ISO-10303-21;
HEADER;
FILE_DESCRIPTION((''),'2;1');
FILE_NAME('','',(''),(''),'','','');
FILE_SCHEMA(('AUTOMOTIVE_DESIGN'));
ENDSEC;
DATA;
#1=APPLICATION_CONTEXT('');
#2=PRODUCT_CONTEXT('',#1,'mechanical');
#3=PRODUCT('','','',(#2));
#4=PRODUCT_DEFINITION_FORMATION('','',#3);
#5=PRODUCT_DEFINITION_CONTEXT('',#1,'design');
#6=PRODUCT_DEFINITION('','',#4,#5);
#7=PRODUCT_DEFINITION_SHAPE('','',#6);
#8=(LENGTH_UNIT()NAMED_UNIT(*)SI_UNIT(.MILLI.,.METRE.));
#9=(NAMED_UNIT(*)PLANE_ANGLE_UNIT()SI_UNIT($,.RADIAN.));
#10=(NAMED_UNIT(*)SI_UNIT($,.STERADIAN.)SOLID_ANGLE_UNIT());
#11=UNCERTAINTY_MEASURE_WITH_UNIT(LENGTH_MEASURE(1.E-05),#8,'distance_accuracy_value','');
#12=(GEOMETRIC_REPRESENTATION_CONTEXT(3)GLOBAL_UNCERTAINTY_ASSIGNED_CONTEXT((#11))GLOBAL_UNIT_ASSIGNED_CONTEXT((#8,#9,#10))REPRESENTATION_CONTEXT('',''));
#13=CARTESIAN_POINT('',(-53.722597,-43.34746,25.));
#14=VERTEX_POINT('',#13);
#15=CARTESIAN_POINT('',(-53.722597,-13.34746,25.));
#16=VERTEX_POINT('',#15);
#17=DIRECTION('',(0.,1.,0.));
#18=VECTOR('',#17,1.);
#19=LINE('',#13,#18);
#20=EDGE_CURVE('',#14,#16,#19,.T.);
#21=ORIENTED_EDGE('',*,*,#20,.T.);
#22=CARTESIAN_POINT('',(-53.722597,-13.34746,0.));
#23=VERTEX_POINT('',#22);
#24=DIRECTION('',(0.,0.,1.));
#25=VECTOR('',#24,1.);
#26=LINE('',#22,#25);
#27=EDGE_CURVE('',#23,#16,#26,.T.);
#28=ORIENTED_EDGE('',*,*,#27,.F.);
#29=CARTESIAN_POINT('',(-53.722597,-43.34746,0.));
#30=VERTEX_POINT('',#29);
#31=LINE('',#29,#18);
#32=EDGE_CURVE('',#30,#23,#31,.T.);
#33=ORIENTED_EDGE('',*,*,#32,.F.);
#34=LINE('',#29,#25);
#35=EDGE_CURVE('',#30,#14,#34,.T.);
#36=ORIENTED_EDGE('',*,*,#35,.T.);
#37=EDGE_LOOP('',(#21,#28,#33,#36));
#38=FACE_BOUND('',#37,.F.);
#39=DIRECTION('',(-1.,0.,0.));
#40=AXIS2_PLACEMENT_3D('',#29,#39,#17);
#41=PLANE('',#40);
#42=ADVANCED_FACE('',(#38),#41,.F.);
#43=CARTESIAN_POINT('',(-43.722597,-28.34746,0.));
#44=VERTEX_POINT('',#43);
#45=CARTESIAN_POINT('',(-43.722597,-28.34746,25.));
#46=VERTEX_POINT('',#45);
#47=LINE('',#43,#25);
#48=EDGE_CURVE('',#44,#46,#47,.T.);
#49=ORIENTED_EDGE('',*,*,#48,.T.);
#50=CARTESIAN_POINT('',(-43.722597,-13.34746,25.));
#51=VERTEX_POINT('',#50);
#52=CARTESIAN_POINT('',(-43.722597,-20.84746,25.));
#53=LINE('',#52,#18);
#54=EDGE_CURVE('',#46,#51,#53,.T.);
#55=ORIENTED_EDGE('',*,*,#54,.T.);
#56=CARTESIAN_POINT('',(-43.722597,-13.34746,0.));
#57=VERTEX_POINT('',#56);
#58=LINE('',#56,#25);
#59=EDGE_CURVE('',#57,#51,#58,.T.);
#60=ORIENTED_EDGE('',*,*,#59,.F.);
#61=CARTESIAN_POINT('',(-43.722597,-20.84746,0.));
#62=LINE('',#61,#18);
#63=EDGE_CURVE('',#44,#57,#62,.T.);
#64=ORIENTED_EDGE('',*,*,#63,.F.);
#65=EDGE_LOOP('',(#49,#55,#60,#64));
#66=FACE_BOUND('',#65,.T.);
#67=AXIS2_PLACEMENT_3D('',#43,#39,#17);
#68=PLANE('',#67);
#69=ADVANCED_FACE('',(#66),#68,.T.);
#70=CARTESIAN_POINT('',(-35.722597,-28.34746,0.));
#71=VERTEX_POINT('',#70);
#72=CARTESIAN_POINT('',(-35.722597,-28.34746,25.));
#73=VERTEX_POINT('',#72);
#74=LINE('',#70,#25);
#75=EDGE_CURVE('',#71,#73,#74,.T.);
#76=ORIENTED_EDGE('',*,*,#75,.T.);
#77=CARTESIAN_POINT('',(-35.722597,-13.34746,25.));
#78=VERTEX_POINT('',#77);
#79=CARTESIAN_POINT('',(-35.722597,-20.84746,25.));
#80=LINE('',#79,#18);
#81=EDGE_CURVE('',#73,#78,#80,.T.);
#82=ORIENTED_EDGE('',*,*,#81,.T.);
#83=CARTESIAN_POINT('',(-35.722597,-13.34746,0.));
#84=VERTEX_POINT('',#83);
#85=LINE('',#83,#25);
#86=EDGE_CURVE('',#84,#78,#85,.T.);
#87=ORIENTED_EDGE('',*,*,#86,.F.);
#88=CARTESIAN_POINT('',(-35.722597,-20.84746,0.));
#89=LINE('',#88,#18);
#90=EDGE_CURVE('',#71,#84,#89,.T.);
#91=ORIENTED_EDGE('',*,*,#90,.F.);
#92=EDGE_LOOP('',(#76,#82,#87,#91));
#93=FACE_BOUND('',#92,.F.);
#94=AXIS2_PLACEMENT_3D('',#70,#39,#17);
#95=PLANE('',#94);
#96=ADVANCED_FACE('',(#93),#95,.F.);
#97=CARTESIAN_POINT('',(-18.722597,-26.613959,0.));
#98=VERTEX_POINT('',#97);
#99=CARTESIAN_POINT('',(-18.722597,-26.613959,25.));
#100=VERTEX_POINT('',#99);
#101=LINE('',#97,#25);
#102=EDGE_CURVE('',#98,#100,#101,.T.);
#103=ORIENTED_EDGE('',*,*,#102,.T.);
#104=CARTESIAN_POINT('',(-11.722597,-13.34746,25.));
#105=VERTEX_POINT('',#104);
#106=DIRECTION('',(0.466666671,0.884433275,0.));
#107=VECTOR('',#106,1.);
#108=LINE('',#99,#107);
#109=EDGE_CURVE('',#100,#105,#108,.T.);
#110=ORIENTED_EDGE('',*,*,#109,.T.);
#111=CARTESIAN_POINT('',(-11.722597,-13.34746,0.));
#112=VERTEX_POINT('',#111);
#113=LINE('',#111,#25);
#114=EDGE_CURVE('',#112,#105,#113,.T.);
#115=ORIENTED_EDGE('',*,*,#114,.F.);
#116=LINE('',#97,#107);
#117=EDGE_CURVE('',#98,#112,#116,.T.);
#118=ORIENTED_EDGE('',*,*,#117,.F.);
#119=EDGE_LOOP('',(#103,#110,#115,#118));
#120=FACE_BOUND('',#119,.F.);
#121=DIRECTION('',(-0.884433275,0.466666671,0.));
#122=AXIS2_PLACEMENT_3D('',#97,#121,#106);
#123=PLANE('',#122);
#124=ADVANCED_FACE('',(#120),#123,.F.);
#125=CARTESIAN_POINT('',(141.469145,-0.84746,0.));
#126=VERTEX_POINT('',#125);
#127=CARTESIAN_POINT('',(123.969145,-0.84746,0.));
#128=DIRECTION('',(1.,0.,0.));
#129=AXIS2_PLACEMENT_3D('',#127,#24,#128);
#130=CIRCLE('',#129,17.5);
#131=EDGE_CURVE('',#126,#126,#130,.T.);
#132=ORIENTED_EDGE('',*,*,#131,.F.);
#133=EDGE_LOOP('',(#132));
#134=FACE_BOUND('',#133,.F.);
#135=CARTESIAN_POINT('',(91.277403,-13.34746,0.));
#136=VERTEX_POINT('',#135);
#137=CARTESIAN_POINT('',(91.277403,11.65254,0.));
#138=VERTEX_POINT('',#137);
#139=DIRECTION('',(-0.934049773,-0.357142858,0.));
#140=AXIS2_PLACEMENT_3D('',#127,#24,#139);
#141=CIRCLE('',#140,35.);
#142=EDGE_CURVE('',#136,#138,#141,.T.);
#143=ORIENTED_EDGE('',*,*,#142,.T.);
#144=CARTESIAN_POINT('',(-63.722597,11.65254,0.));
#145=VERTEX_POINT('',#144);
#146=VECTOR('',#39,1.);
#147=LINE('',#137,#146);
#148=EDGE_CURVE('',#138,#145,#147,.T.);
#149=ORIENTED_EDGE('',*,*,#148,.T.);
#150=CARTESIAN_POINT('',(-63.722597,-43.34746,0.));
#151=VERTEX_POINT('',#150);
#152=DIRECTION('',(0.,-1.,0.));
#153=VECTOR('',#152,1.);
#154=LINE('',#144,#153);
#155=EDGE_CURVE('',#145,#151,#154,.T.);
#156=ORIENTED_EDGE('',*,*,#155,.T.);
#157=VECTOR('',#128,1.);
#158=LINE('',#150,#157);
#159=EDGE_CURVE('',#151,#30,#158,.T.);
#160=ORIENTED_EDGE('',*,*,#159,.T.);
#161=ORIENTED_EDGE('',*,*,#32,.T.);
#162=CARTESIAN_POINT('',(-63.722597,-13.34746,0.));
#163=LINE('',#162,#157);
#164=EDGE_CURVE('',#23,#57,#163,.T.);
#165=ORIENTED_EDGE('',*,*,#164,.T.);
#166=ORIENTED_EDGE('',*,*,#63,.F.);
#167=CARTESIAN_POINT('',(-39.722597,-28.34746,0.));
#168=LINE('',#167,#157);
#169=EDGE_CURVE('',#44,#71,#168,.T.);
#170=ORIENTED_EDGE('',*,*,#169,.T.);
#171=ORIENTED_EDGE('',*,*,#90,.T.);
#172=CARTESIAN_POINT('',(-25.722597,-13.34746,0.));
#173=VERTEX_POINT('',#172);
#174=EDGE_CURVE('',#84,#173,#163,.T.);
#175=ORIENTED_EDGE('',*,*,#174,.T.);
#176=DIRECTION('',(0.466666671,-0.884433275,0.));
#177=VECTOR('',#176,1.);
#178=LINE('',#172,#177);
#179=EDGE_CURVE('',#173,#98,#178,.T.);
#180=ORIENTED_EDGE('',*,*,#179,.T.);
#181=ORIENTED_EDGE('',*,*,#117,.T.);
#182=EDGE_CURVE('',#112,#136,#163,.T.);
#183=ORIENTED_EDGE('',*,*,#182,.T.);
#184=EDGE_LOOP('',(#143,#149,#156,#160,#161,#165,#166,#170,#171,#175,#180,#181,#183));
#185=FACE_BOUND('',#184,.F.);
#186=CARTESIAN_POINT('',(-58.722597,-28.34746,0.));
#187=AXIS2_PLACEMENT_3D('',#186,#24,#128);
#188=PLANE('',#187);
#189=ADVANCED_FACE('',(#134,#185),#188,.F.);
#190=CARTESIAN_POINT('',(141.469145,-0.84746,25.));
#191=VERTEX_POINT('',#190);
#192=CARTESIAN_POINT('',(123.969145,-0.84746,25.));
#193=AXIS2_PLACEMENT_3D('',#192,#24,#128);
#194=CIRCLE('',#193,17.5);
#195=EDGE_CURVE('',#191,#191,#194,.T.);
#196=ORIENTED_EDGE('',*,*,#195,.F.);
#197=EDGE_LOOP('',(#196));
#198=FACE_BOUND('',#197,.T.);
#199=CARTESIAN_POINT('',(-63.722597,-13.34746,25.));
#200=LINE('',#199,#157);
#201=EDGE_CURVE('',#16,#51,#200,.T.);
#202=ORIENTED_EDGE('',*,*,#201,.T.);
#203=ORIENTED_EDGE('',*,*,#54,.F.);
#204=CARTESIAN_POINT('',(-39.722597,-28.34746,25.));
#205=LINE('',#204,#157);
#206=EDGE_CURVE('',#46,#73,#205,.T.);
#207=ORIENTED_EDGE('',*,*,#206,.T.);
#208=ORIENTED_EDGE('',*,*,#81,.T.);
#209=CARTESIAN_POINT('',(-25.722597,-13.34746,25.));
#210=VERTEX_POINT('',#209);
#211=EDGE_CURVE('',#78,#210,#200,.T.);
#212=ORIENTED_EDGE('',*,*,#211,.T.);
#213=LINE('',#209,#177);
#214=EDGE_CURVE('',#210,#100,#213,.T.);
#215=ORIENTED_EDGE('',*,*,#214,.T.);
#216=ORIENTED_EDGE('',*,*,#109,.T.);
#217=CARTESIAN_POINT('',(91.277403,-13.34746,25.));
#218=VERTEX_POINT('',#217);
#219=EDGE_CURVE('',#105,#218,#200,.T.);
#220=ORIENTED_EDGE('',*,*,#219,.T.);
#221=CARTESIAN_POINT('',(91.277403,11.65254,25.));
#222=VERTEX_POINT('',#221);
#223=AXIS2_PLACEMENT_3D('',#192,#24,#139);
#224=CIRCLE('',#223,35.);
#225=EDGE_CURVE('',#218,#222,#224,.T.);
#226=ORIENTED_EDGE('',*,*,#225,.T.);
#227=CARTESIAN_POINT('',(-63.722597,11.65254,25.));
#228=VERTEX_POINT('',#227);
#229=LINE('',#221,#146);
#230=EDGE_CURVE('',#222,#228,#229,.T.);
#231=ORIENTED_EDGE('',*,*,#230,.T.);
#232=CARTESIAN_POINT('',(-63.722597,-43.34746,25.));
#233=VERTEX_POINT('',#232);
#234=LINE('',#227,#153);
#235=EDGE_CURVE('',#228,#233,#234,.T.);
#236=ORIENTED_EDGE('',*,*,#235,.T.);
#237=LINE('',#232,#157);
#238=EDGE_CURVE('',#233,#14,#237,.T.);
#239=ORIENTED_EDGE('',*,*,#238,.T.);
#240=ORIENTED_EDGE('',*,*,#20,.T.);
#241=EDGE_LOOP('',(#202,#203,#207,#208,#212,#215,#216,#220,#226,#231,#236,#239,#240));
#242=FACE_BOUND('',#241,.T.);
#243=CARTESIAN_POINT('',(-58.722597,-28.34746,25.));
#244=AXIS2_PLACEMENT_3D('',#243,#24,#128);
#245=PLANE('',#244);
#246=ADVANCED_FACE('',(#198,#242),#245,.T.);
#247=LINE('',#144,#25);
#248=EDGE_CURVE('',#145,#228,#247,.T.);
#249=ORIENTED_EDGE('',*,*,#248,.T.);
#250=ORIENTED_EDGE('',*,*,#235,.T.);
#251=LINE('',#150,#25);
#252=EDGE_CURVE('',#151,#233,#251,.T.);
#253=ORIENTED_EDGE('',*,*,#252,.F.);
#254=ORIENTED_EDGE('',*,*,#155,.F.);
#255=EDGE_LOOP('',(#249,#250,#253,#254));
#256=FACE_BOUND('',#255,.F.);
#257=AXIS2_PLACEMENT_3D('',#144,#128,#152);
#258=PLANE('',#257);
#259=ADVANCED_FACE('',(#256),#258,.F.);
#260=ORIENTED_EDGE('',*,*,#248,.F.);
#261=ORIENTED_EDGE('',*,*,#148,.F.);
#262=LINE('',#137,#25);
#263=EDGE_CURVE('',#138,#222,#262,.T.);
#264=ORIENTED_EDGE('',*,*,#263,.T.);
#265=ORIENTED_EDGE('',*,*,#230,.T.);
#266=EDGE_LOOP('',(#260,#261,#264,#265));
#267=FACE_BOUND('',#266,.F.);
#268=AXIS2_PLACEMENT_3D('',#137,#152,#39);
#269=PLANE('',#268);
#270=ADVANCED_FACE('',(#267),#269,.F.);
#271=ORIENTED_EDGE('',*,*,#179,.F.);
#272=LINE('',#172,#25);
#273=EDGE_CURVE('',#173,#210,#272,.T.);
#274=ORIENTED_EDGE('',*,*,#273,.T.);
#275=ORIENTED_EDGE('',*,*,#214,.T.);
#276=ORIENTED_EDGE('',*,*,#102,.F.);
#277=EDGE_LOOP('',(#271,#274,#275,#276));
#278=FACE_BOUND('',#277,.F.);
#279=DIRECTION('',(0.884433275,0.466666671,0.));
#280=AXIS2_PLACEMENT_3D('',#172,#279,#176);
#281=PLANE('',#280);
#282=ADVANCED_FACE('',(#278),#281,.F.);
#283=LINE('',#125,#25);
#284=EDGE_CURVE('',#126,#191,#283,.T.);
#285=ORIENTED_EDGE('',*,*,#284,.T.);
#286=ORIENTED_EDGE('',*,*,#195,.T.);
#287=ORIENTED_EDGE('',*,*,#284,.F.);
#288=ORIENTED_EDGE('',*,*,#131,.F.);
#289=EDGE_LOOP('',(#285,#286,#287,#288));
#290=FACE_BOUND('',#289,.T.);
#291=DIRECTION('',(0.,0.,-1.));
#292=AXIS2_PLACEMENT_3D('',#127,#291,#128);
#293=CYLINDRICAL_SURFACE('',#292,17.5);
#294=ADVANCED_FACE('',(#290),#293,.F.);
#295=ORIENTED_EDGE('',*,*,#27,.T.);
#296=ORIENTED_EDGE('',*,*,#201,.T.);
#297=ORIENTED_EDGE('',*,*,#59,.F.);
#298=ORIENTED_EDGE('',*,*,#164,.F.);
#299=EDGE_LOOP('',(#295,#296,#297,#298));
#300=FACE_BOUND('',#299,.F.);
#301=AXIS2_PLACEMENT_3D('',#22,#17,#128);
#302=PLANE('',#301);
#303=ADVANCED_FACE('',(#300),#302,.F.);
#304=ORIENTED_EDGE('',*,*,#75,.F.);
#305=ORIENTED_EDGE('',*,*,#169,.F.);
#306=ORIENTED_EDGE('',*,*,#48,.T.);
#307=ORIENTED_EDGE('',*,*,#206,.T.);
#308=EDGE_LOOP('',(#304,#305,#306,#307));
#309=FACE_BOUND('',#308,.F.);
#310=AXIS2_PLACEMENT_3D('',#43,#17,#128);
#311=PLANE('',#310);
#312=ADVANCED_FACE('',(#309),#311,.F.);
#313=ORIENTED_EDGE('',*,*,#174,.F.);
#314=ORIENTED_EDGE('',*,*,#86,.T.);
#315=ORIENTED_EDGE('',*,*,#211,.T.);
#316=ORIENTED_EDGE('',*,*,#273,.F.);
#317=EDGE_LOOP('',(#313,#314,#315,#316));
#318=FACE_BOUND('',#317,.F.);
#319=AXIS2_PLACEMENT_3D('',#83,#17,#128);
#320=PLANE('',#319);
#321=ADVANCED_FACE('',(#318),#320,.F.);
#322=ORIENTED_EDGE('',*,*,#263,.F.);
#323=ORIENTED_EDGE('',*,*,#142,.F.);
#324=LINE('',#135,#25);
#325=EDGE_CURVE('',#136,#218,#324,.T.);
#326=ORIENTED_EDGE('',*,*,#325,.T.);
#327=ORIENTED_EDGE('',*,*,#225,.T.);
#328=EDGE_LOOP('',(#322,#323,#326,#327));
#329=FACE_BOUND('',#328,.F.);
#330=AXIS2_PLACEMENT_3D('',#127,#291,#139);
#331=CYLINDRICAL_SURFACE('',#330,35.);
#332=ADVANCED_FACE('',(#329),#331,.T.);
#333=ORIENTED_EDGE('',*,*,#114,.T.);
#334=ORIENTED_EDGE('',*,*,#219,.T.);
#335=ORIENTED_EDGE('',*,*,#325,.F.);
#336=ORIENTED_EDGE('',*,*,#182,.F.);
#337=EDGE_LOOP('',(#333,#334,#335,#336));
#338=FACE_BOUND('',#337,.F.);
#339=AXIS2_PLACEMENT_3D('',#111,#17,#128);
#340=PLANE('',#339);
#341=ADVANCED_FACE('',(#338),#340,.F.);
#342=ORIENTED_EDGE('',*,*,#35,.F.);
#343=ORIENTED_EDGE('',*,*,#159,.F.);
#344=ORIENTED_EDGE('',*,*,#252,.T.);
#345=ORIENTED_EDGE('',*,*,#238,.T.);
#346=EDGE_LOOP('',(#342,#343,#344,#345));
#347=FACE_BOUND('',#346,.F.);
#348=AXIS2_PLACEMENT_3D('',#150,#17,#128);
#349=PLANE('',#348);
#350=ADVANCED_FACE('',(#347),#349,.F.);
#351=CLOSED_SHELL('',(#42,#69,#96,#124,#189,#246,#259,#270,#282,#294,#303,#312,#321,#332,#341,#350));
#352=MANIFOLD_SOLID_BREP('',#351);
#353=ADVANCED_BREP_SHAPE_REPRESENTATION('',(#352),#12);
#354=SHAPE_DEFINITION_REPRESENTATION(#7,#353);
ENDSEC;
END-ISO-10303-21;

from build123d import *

# Parameters (mm, degrees)
F0_R     = 17.5
F0_W     = 8
F0_H     = 15
F1_DEPTH = 25


with BuildPart() as f1:
    # F0 (on Top) → F1 (new body)
    with BuildSketch(Plane.XY):
        Polygon((-63.045189, -13.34746), (-63.722597, -13.34746), (-63.722597, -43.34746), (-53.722597, -43.34746), (-53.722597, -13.34746), align=None)
        with BuildLine():
            Line((91.277403, 11.65254), (-63.722597, 11.65254))
            Line((-63.722597, 11.65254), (-63.722597, -13.34746))
            Line((-63.722597, -13.34746), (-63.045189, -13.34746))
            Line((-63.045189, -13.34746), (-53.722597, -13.34746))
            Line((-53.722597, -13.34746), (-43.722597, -13.34746))
            Line((-43.722597, -13.34746), (-35.722597, -13.34746))
            Line((-35.722597, -13.34746), (-25.722597, -13.34746))
            Line((-25.722597, -13.34746), (-11.722597, -13.34746))
            Line((-11.722597, -13.34746), (91.277403, -13.34746))
            ThreePointArc((91.277403, -13.34746), (158.969145, -0.84746), (91.277403, 11.65254))
        make_face()
        with Locations((123.969145, -0.84746)):
            Circle(F0_R, mode=Mode.SUBTRACT)
        with Locations((-39.722597, -20.84746)):
            Rectangle(F0_W, F0_H)
        Polygon((-18.722597, -26.613959), (-11.722597, -13.34746), (-25.722597, -13.34746), align=None)
    extrude(amount=F1_DEPTH)


solid = f1.part
